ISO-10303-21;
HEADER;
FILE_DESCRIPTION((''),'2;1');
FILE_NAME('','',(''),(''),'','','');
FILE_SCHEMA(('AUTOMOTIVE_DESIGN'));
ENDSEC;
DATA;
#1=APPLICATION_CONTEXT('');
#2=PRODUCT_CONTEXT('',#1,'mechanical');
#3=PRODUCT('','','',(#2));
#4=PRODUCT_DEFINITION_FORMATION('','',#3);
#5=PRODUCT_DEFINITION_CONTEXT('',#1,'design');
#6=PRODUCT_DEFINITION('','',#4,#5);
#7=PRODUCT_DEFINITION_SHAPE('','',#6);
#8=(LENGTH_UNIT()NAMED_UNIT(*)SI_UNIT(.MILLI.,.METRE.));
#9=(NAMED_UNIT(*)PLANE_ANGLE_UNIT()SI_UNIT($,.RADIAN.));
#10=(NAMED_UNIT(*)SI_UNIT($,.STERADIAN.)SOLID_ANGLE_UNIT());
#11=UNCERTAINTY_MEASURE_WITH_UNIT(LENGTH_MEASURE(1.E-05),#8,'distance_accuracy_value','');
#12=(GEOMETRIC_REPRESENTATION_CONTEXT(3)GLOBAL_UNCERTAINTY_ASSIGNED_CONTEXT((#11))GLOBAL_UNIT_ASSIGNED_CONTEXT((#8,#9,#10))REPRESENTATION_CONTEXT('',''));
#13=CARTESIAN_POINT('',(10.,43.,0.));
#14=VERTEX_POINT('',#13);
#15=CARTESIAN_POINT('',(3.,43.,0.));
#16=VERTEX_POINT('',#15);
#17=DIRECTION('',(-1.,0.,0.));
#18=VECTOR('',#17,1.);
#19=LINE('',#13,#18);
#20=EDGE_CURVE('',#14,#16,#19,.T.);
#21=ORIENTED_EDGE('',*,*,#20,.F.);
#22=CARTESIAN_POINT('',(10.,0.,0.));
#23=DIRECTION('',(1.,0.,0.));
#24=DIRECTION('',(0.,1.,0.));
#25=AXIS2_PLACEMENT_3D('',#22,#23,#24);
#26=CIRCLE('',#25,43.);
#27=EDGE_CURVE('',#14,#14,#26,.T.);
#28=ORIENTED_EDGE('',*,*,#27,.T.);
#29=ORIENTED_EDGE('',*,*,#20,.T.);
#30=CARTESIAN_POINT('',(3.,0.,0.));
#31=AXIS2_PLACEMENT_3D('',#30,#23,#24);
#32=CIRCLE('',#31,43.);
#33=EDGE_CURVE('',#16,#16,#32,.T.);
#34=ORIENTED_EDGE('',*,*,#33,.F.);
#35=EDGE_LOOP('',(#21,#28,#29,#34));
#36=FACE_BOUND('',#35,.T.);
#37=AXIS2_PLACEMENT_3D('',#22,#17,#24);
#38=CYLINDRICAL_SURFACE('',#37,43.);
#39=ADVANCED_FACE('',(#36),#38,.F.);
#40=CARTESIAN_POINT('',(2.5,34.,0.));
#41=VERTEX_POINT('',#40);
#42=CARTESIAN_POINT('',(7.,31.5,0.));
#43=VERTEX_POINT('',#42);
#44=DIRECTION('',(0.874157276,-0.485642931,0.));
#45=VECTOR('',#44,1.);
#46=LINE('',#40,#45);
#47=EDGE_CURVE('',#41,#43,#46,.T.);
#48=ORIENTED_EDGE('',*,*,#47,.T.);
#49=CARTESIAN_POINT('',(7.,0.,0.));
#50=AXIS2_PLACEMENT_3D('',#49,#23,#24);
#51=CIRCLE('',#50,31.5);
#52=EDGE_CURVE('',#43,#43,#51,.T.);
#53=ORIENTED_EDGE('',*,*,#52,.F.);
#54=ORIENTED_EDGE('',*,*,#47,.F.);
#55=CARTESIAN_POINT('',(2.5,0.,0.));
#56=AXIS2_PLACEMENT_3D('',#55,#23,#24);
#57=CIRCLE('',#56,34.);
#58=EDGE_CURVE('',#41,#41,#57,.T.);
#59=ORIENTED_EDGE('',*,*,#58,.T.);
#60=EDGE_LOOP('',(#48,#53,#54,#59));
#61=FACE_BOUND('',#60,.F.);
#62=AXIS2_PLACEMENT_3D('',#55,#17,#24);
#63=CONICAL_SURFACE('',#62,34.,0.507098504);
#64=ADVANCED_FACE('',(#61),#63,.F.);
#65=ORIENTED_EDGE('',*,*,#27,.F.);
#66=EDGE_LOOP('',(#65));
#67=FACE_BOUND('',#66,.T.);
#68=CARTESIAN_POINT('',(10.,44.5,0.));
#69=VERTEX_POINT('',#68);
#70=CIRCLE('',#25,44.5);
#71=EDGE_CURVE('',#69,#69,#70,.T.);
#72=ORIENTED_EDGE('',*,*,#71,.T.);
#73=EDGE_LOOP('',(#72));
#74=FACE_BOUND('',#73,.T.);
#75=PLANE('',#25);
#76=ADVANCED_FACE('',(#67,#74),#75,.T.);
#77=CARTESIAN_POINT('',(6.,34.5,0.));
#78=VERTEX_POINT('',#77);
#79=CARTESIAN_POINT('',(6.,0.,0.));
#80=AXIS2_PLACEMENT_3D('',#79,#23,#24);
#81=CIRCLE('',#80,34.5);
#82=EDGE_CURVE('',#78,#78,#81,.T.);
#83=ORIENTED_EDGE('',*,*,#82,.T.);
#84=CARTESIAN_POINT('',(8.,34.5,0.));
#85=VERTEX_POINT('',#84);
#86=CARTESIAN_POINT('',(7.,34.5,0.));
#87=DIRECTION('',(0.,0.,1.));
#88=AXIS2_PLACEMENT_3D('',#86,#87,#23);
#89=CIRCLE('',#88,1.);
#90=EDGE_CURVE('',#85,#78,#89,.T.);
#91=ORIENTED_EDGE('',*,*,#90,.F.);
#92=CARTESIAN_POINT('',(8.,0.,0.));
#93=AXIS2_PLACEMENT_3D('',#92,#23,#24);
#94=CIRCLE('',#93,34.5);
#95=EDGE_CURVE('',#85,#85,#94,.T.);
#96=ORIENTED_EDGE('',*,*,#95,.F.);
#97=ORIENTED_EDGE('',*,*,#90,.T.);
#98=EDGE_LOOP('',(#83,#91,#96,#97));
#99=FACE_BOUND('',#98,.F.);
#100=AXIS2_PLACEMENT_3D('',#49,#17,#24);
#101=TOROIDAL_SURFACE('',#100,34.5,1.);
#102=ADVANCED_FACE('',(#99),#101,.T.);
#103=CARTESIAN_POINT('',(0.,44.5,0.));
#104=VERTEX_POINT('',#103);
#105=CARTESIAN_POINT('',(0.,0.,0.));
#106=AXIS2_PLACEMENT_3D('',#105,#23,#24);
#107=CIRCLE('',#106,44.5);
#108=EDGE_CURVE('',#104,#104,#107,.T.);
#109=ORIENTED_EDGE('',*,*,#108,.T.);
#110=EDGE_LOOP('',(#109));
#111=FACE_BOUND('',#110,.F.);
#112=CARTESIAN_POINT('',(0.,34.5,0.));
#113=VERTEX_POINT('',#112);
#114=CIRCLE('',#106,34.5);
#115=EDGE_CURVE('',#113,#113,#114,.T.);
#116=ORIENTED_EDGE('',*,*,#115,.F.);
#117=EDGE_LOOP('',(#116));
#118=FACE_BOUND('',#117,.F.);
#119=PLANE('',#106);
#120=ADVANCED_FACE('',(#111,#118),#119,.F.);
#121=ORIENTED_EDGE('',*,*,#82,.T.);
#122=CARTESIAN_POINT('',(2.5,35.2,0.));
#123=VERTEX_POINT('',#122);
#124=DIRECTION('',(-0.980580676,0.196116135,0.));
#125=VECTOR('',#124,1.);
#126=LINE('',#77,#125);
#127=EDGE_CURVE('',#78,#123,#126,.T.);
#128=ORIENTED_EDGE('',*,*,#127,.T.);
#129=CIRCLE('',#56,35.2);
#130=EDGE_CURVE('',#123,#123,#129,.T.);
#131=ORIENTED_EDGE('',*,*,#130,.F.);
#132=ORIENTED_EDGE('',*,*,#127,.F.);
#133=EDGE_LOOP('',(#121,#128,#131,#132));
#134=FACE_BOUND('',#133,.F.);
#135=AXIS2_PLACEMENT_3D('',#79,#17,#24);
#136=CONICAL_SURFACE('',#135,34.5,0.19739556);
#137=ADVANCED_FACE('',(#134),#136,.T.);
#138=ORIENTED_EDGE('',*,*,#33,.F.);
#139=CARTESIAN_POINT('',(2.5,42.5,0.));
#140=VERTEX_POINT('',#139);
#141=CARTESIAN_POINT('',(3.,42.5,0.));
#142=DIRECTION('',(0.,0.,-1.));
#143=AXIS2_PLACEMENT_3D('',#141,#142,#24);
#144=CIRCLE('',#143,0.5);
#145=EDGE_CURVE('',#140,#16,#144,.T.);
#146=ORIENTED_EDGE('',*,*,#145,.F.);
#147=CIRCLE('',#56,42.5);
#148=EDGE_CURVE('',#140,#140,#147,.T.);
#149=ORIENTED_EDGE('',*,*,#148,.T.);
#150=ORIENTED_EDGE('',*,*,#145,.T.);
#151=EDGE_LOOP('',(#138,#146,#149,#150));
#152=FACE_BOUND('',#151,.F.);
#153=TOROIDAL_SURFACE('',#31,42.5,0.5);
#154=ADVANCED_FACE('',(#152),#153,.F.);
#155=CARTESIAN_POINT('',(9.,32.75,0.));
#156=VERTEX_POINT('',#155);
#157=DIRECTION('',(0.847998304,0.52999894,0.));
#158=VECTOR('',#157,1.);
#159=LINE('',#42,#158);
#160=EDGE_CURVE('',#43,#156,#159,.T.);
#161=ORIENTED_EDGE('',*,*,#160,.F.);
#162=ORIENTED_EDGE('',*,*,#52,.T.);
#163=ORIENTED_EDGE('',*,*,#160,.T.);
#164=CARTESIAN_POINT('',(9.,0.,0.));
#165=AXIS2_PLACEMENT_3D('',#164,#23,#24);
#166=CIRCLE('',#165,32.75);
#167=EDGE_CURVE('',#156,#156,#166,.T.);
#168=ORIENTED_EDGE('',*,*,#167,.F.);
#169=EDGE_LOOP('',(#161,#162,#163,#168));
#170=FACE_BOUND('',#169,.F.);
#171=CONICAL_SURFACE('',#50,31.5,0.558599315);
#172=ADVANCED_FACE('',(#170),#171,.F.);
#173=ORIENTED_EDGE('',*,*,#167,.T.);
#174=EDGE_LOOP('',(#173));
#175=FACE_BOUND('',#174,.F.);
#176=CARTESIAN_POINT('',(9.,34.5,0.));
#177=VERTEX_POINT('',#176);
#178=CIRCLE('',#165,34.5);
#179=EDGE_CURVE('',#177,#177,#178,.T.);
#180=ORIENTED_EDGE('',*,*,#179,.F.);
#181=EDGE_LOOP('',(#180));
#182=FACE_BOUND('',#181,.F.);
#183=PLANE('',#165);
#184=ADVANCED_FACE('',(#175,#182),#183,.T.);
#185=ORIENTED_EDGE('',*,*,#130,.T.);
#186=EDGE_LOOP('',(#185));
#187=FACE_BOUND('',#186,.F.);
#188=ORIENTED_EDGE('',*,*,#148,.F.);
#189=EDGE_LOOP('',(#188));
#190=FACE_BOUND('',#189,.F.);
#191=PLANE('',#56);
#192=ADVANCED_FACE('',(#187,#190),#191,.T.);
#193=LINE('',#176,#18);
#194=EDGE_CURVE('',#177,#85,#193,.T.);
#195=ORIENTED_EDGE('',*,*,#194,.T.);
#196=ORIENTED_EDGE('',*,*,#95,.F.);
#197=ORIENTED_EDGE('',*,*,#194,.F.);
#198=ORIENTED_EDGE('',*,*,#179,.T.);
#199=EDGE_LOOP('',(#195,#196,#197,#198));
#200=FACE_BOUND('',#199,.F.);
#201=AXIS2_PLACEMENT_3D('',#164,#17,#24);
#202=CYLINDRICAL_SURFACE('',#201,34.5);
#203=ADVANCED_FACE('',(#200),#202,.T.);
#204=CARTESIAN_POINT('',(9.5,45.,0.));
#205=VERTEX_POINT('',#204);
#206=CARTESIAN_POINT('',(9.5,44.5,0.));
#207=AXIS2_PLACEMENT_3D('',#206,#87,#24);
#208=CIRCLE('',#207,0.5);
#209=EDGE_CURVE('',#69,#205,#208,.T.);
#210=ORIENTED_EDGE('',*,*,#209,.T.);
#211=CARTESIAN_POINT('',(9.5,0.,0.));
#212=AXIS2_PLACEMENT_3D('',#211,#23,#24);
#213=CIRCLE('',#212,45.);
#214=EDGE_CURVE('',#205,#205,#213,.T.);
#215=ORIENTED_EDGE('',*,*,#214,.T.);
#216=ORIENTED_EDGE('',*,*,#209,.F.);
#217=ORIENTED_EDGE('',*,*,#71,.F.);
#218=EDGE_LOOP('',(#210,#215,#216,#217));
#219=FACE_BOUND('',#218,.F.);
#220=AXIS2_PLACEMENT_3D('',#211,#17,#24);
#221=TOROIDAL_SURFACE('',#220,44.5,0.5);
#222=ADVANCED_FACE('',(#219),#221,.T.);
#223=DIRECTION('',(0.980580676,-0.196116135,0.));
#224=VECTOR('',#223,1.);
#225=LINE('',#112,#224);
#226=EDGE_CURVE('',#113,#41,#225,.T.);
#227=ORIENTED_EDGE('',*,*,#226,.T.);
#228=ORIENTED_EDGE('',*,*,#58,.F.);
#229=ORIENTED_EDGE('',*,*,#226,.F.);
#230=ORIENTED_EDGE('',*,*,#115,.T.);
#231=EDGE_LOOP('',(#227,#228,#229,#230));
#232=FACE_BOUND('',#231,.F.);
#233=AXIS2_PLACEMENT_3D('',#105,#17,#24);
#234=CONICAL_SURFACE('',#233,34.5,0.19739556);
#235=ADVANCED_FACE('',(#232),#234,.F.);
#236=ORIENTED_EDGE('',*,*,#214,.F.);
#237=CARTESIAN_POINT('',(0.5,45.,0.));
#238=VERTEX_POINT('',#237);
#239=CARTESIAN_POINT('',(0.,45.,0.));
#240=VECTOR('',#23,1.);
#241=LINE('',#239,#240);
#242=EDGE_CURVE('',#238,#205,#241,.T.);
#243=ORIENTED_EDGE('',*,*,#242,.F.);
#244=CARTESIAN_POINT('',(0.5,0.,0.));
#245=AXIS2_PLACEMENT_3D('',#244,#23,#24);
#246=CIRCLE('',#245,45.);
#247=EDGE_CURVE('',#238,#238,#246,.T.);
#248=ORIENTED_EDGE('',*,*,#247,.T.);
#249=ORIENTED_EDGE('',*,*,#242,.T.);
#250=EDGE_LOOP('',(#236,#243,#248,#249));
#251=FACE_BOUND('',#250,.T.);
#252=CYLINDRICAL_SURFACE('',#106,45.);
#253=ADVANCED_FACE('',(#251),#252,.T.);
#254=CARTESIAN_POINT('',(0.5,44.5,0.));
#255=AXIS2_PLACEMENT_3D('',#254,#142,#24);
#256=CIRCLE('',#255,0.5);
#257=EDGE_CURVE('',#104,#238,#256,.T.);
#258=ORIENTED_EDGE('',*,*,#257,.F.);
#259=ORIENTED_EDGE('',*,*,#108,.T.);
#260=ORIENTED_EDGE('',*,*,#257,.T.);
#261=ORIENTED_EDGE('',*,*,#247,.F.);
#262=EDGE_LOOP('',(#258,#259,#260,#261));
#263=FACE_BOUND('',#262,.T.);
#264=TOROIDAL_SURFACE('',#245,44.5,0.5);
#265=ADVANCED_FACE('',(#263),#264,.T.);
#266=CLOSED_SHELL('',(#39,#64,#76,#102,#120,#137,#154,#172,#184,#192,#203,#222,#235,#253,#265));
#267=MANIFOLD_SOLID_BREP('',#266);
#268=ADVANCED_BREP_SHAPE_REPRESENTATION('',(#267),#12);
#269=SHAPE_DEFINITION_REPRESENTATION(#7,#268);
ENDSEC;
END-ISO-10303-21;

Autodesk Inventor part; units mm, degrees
ref_plane "YZ Plane" through (0, 0, 0) normal (1, 0, 0) x (0, 1, 0)
ref_plane "XZ Plane" through (0, 0, 0) normal (0, 1, 0) x (-1, 0, 0)
ref_plane "XY Plane" through (0, 0, 0) normal (0, 0, 1) x (1, 0, 0)
sketch "Skizze1" plane through (0, 0, 0) normal (0, 0, 1) x (1, 0, 0)
  circle A0 centre (7, 34.5) radius 0.65
  circle A1 centre (7, 34.5) radius 1
  line L0 (9, 32.75) -> (9, 34.5)
  line L1 (0, 45) -> (10, 45)
  line L2 (10, 45) -> (10, 43)
  line L3 (10, 43) -> (2.5, 43)
  line L4 (0, 0) -> (9.5856, 0)
  line L5 (0, 45) -> (0, 34.5)
  line L6 (0, 34.5) -> (2.5, 34)
  line L7 (2.5, 34) -> (7, 31.5)
  line L8 (7, 31.5) -> (9, 32.75)
  line L9 (7, 31.5) -> (0, 31.5) construction
  line L10 (0, 18) -> (0, -3) projected
  line L11 (-1.9171, 0) -> (11.5027, 0) projected
  line L12 (6, 34.5) -> (2.5, 35.2)
  line L13 (2.5, 35.2) -> (2.5, 43)
  line L14 (9, 34.5) -> (8, 34.5)
  dimension "d0" = 90
  dimension "d1" = 65.5
  dimension "d2" = 2
  dimension "d3" = 1.3
  dimension "d4" = 2
  dimension "d5" = 63
  dimension "d6" = 68
  dimension "d7" = 69
  dimension "d8" = 7
  dimension "d9" = 9
  dimension "d10" = 10
  dimension "d12" = 2.5
revolve "Körper" add sketch "Skizze1" angle 360 about axis through (0, 0, 0) along (1, 0, 0) contours L14 L0 L8 L7 L6 L5 L1 L2 L3 L13 L12 A1
revolve "Feder1" add sketch "Skizze1" angle 360 about axis through (0, 0, 0) along (1, 0, 0) contours A0 | A1
fillet "Rundung1" radius 0.5 3 edges at (10, -45, 0) (2.5, -43, 0) (0, -45, 0)
equation "\"d0\" = SD2"
equation "\"d1\" = ABDM"
equation "\"d3\" = SPDI"
equation "\"d4\" = SPDA"
equation "\"d5\" = NND"
equation "\"d6\" = TKDM"
equation "\"d7\" = HLDM"
equation "\"d8\" = SPDST"
equation "\"d9\" = SDI"
equation "\"d10\" = SWDT"
equation "\"d12\" = SD"
equation "\"d11\" = RR"
equation "\"SD2\" = 90"
equation "\"SWDT\" = 10"
equation "\"RR\" = 0.5"
equation "\"SD\" = 2.5"
equation "\"NND\" = 63"
equation "\"SPDA\" = 2"
equation "\"SPDI\" = 1.3"
equation "\"TKDM\" = 68"
equation "\"HLDM\" = 69"
equation "\"ABDM\" = 65.5"
equation "\"SDI\" = 9"
equation "\"SPDST\" = 7"
equation "\"LAB\" = 0.5"
properties part number "DIN 3760 - A - 63 x 90 x 10 - NBR" material "Gummi"
